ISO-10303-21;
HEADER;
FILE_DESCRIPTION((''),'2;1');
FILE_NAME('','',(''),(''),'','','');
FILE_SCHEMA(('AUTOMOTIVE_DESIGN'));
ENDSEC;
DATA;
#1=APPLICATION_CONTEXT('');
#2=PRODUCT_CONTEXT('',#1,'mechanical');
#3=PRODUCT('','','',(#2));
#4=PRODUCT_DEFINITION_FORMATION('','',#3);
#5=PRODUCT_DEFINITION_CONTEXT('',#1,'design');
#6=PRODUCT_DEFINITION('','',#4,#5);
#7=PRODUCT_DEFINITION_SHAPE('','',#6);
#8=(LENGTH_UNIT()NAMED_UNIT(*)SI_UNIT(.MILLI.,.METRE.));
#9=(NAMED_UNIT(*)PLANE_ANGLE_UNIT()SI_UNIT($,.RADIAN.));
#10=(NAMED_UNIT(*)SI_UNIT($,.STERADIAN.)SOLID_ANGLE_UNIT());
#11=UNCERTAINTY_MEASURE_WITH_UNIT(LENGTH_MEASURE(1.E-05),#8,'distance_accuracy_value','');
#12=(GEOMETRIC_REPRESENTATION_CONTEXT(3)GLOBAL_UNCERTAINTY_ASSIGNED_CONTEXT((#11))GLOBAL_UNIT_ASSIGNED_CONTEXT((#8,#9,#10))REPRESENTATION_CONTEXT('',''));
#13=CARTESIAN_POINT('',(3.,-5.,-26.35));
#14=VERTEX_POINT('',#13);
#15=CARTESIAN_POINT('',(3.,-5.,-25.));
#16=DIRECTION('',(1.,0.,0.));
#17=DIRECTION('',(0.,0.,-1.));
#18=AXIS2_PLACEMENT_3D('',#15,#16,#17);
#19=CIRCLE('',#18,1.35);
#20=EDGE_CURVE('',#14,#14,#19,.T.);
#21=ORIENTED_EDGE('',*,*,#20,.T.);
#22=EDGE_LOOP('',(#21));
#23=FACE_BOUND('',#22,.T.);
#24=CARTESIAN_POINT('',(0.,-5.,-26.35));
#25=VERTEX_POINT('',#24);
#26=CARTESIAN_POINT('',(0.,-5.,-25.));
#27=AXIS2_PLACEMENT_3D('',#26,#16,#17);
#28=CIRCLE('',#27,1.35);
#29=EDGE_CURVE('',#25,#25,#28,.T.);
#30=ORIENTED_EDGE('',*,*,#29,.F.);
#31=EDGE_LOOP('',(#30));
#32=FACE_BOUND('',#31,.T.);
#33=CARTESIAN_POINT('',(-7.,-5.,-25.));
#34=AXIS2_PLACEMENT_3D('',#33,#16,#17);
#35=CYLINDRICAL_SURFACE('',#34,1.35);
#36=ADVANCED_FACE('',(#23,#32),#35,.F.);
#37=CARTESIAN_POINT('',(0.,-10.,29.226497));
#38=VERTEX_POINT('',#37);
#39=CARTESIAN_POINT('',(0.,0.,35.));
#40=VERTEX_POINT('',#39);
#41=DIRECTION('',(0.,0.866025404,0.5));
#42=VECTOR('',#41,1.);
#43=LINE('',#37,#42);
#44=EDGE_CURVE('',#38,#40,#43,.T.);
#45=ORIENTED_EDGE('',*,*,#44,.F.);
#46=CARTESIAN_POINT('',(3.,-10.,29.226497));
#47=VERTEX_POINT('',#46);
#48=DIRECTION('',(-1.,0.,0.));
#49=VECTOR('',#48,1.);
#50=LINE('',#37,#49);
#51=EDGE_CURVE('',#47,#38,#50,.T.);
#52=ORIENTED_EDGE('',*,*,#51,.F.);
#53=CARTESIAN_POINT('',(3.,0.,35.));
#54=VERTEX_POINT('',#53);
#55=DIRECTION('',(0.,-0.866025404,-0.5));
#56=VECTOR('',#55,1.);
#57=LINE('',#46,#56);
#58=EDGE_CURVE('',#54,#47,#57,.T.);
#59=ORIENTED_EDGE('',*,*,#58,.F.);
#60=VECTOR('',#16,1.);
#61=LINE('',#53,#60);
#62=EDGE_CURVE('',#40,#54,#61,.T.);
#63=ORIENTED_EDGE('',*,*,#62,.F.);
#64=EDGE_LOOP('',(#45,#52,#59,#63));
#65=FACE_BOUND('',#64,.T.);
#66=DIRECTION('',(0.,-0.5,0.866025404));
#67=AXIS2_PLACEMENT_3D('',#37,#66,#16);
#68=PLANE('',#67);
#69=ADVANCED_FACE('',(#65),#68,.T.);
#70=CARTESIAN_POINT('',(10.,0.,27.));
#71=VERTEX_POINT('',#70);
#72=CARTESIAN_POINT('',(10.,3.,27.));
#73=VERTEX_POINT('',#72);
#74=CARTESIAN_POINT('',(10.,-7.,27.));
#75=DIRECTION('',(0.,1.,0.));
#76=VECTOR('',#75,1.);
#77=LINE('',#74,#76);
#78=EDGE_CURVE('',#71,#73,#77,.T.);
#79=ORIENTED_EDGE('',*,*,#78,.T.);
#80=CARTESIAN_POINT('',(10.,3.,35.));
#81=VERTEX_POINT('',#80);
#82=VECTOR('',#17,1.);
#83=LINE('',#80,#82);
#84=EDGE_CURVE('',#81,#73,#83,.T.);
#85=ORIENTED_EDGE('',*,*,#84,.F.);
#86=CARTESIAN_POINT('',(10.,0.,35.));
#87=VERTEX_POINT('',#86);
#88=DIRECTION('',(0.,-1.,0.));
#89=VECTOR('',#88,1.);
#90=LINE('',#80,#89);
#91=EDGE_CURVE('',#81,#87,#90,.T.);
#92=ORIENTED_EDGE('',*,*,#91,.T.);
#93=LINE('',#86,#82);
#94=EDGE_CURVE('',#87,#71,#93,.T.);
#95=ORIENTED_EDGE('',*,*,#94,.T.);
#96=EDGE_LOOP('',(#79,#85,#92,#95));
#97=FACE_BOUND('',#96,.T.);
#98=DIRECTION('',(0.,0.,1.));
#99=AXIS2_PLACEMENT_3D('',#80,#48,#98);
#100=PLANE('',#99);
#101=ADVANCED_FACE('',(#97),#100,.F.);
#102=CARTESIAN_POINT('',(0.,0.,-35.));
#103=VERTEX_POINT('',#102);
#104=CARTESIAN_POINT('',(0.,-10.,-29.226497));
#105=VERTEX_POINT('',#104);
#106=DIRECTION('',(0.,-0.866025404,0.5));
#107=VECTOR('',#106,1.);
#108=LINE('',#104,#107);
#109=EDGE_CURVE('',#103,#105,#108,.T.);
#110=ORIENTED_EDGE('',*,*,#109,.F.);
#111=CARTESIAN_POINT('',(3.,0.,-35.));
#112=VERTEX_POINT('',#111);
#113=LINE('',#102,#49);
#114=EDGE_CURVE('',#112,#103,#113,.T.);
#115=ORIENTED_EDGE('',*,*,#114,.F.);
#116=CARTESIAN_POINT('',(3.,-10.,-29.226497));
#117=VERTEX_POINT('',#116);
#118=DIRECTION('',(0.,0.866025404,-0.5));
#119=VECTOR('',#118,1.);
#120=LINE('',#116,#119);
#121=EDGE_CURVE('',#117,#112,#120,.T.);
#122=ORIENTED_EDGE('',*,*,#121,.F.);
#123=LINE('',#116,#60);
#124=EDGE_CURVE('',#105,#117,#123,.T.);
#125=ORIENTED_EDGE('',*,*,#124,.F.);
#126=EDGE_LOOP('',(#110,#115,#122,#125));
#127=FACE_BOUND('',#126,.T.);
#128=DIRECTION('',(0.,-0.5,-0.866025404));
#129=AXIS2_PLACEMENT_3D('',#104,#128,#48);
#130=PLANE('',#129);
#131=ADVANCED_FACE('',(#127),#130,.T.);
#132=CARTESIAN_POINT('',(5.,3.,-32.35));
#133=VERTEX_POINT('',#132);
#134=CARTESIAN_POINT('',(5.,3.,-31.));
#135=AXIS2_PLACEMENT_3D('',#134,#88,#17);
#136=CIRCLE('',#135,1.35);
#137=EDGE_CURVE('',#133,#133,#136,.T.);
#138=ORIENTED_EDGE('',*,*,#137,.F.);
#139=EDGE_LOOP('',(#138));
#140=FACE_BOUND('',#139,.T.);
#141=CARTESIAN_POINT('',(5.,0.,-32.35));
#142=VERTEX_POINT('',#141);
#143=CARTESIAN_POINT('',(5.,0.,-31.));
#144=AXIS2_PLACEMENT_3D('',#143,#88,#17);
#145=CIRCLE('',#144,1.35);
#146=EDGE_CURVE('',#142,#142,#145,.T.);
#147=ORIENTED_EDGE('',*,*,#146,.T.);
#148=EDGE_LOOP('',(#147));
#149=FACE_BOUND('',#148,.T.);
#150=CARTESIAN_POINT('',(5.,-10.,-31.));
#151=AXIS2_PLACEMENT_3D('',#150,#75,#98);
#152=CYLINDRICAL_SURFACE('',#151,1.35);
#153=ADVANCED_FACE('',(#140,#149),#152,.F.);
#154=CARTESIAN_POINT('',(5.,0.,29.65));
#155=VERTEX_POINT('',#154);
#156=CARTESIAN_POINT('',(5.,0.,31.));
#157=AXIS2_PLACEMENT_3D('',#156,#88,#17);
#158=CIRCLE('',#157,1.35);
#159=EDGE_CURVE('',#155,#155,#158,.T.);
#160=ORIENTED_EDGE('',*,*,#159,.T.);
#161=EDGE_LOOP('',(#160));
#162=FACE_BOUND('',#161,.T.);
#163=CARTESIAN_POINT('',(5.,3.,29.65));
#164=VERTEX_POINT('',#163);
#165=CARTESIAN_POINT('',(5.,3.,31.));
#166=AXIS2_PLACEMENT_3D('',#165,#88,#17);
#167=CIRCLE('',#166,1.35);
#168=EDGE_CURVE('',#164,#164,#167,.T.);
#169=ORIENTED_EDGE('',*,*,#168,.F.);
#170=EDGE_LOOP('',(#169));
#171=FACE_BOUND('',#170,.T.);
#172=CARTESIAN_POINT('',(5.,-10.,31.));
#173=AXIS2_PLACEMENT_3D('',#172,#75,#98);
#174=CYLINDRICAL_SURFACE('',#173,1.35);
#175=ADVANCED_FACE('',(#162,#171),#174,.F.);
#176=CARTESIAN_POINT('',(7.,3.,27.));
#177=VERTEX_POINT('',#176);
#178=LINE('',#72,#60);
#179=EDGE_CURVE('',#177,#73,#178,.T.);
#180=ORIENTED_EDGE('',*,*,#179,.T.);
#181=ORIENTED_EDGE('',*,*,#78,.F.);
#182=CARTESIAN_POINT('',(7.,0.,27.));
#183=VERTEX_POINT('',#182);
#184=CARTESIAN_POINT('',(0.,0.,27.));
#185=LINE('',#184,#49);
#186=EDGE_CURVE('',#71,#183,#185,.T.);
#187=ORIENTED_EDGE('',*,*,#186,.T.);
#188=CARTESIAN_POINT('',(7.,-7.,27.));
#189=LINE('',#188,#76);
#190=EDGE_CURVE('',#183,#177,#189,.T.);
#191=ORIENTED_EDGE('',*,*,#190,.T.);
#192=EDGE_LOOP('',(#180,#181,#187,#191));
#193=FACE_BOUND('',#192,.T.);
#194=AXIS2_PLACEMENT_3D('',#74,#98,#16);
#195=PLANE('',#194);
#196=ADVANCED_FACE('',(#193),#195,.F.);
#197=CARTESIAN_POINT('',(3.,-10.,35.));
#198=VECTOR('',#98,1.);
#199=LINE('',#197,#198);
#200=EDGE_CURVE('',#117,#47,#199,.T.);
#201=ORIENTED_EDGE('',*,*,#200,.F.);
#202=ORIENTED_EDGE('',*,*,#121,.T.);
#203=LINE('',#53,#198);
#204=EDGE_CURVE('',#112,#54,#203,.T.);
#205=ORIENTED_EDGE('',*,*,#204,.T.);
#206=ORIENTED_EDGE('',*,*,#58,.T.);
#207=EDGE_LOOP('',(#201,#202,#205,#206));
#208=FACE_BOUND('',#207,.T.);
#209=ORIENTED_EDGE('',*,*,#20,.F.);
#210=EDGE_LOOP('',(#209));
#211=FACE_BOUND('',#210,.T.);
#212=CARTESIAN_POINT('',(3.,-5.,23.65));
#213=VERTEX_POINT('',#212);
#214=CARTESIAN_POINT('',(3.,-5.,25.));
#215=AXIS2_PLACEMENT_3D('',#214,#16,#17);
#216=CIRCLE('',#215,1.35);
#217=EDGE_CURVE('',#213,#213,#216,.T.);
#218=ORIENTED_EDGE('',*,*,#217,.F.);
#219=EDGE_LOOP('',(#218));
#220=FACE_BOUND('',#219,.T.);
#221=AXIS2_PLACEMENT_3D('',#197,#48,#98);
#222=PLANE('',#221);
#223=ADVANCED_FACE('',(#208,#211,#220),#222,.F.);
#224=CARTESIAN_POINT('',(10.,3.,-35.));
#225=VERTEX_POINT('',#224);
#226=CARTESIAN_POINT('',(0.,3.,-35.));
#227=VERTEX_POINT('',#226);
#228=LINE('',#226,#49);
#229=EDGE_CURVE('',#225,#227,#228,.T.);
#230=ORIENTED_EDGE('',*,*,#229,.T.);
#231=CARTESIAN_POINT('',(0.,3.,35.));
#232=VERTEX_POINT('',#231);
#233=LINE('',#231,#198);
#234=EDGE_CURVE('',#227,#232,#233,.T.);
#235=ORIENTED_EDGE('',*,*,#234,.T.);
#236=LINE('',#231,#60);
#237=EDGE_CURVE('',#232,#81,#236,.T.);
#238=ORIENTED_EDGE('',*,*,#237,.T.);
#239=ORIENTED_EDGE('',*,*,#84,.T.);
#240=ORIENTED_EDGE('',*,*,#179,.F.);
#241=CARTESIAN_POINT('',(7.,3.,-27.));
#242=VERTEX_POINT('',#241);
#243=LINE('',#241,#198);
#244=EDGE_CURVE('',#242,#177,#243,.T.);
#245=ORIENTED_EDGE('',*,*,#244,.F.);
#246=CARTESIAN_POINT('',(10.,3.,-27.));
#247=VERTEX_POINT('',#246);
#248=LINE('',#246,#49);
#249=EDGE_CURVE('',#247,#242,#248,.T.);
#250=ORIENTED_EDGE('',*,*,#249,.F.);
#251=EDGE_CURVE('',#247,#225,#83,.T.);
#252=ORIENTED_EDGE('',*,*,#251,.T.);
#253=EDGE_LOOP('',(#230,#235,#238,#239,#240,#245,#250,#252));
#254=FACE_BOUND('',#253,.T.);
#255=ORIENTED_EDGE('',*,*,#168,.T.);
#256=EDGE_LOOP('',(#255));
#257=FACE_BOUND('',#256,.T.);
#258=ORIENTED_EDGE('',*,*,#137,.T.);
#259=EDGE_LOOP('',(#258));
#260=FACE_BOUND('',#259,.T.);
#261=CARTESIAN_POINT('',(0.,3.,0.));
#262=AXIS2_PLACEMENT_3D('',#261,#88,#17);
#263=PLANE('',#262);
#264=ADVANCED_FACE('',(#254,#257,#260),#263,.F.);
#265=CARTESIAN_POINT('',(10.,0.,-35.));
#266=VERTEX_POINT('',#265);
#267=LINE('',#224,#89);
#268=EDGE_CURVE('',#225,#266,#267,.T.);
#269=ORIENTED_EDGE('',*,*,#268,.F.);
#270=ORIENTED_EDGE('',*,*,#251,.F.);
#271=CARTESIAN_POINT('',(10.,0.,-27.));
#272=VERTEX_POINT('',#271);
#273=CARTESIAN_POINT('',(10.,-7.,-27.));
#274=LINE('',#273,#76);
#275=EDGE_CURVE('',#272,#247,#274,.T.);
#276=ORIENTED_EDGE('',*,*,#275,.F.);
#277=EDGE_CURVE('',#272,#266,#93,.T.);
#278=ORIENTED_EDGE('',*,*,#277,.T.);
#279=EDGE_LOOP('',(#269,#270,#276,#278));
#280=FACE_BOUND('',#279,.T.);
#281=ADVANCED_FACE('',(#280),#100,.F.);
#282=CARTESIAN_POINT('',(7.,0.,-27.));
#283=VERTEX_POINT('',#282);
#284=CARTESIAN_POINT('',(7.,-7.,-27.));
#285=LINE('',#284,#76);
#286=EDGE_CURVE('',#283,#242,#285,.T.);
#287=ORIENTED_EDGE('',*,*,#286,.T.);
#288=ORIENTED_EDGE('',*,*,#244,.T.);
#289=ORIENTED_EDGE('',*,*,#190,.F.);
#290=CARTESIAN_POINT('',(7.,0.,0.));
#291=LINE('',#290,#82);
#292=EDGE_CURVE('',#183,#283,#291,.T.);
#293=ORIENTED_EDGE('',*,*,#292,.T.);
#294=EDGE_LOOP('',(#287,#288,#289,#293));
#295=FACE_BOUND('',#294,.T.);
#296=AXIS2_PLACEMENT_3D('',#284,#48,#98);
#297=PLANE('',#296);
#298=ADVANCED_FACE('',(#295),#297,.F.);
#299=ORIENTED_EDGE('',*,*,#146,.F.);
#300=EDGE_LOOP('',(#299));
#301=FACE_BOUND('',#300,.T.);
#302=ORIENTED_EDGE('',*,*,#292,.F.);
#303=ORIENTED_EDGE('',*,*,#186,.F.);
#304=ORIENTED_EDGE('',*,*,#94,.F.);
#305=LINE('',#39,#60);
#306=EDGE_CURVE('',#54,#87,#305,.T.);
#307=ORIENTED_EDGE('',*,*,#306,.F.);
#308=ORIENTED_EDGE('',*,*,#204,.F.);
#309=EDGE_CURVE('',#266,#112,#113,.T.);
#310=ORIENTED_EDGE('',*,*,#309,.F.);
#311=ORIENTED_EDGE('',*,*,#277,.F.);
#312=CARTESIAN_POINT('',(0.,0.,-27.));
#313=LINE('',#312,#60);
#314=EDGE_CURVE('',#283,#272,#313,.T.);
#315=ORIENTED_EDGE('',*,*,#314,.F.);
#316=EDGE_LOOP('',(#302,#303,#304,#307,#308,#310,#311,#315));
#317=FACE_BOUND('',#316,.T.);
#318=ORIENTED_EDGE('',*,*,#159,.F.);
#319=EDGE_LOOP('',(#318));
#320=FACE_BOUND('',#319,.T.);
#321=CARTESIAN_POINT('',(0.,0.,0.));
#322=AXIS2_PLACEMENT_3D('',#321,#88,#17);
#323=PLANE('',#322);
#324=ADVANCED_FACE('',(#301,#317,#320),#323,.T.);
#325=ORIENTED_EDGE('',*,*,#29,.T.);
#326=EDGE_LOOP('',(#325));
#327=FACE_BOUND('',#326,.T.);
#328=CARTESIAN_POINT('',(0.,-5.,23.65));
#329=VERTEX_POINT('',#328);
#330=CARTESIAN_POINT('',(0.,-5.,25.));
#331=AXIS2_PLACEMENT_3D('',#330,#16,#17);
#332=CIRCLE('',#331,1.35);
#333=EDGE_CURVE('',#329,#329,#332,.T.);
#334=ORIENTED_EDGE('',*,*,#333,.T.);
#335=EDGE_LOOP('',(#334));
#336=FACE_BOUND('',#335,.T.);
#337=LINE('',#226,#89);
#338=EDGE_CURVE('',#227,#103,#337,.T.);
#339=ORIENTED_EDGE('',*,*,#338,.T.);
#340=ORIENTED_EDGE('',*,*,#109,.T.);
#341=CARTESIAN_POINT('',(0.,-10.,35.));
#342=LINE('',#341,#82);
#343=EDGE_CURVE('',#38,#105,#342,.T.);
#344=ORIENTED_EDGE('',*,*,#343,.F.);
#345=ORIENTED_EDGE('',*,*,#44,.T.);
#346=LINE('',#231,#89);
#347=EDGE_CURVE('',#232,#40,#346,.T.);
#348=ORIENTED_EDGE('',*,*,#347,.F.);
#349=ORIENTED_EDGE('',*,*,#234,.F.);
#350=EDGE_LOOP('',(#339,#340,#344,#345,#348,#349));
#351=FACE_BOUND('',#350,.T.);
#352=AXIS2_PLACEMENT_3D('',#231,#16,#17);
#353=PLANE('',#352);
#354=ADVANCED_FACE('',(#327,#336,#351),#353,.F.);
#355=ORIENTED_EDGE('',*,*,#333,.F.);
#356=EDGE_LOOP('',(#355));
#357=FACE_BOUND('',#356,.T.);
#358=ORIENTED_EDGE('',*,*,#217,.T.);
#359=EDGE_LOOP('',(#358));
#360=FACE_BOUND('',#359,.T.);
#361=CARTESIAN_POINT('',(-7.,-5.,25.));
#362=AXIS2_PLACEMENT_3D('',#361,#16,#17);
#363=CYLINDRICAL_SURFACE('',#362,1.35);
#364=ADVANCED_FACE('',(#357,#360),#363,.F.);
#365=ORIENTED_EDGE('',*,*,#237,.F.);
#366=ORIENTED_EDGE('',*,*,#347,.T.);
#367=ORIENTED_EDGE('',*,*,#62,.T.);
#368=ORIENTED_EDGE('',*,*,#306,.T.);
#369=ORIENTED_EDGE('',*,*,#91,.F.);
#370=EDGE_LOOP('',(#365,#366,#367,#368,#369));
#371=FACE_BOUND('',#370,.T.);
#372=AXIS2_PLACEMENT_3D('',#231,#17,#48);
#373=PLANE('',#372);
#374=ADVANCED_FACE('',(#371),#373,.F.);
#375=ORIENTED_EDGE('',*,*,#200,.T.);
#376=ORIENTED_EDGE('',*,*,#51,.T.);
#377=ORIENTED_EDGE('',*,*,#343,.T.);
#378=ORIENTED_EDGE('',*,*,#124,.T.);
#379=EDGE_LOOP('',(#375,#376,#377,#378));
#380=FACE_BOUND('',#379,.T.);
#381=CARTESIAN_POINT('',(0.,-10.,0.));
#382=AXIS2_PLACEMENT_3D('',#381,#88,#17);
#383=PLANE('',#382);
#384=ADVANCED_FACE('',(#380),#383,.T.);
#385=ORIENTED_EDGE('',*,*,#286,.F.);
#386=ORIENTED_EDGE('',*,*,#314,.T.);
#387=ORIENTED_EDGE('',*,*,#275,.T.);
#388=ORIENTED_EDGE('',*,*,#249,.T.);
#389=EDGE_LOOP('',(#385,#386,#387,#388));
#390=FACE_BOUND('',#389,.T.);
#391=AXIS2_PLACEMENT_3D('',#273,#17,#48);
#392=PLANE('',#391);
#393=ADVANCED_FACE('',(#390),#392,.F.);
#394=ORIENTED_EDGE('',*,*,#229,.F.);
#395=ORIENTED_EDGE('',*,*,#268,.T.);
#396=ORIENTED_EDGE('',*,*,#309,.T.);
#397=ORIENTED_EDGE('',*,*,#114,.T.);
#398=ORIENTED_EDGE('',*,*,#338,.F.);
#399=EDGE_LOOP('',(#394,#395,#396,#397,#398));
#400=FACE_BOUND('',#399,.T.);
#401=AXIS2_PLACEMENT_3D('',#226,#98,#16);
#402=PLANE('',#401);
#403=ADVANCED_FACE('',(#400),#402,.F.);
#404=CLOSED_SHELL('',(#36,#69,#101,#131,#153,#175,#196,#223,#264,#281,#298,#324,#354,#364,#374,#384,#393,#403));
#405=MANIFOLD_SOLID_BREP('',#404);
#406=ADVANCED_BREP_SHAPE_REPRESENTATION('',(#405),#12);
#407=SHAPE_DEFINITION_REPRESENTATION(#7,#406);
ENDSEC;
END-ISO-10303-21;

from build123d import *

# Parameters (mm, degrees)
SKETCH1_W               = 10
SKETCH1_H               = 70
BOSS_EXTRUDE1_DEPTH     = 3
SKETCH2_W               = 3
SKETCH2_H               = 70
BOSS_EXTRUDE2_DEPTH     = 10
SKETCH3_R               = 1.35
CUT_EXTRUDE1_DEPTH      = 1
CUT_EXTRUDE1_DEPTH_BACK = 14
SKETCH4_R               = 1.35
CUT_EXTRUDE2_DEPTH      = 10
CHAMFER1_SIZE           = 10
CHAMFER1_SIZE2          = 5.773502692
CHAMFER1_PART_2_SIZE    = 10
CHAMFER1_PART_2_SIZE2   = 5.773502692
SKETCH5_W               = 3
SKETCH5_H               = 54
CUT_EXTRUDE3_DEPTH      = 10


with BuildPart() as part:
    # Sketch1 → Boss-Extrude1 (new body)
    with BuildSketch(Plane(origin=(0, 0, 0), x_dir=(1, 0, 0), z_dir=(0, 1, 0))):
        with Locations((5, 0)):
            Rectangle(SKETCH1_W, SKETCH1_H)
    extrude(amount=BOSS_EXTRUDE1_DEPTH)

    # Sketch2 → Boss-Extrude2 (add)
    with BuildSketch(Plane.XZ):
        with Locations((1.5, 0)):
            Rectangle(SKETCH2_W, SKETCH2_H)
    extrude(amount=BOSS_EXTRUDE2_DEPTH)

    # Sketch3 → Cut-Extrude1 (cut, two sides)
    with BuildSketch(Plane(origin=(0, 3, 0), x_dir=(1, 0, 0), z_dir=(0, 1, 0))) as cut_extrude1_sk:
        with Locations((5, 31)):
            Circle(SKETCH3_R)
        with Locations((5, -31)):
            Circle(SKETCH3_R)
    extrude(amount=CUT_EXTRUDE1_DEPTH, mode=Mode.SUBTRACT)
    extrude(cut_extrude1_sk.sketch, amount=-CUT_EXTRUDE1_DEPTH_BACK, mode=Mode.SUBTRACT)

    # Sketch4 → Cut-Extrude2 (cut)
    with BuildSketch(Plane(origin=(3, 0, 0), x_dir=(0, 0, -1), z_dir=(1, 0, 0))):
        with Locations((25, -5)):
            Circle(SKETCH4_R)
        with Locations((-25, -5)):
            Circle(SKETCH4_R)
    extrude(amount=-CUT_EXTRUDE2_DEPTH, mode=Mode.SUBTRACT)

    # Chamfer1
    chamfer1_edges = [part.edges().sort_by_distance(p)[0] for p in [
        (1.5, -10, -35),
    ]]
    chamfer1_side = [part.faces().sort_by_distance(p)[0] for p in [
        (9.835987805, 1.5, -35),
    ]]
    chamfer(chamfer1_edges, length=CHAMFER1_SIZE, length2=CHAMFER1_SIZE2, reference=chamfer1_side[0])

    # Chamfer1 part 2
    chamfer1_part_2_edges = [part.edges().sort_by_distance(p)[0] for p in [
        (1.5, -10, 35),
    ]]
    chamfer1_part_2_side = [part.faces().sort_by_distance(p)[0] for p in [
        (0.164012195, -3.5, 35),
    ]]
    chamfer(chamfer1_part_2_edges, length=CHAMFER1_PART_2_SIZE, length2=CHAMFER1_PART_2_SIZE2, reference=chamfer1_part_2_side[0])

    # Sketch5 → Cut-Extrude3 (cut)
    with BuildSketch(Plane(origin=(0, 3, 0), x_dir=(1, 0, 0), z_dir=(0, 1, 0))):
        with Locations((8.5, 0)):
            Rectangle(SKETCH5_W, SKETCH5_H)
    extrude(amount=-CUT_EXTRUDE3_DEPTH, mode=Mode.SUBTRACT)


solid = part.part
